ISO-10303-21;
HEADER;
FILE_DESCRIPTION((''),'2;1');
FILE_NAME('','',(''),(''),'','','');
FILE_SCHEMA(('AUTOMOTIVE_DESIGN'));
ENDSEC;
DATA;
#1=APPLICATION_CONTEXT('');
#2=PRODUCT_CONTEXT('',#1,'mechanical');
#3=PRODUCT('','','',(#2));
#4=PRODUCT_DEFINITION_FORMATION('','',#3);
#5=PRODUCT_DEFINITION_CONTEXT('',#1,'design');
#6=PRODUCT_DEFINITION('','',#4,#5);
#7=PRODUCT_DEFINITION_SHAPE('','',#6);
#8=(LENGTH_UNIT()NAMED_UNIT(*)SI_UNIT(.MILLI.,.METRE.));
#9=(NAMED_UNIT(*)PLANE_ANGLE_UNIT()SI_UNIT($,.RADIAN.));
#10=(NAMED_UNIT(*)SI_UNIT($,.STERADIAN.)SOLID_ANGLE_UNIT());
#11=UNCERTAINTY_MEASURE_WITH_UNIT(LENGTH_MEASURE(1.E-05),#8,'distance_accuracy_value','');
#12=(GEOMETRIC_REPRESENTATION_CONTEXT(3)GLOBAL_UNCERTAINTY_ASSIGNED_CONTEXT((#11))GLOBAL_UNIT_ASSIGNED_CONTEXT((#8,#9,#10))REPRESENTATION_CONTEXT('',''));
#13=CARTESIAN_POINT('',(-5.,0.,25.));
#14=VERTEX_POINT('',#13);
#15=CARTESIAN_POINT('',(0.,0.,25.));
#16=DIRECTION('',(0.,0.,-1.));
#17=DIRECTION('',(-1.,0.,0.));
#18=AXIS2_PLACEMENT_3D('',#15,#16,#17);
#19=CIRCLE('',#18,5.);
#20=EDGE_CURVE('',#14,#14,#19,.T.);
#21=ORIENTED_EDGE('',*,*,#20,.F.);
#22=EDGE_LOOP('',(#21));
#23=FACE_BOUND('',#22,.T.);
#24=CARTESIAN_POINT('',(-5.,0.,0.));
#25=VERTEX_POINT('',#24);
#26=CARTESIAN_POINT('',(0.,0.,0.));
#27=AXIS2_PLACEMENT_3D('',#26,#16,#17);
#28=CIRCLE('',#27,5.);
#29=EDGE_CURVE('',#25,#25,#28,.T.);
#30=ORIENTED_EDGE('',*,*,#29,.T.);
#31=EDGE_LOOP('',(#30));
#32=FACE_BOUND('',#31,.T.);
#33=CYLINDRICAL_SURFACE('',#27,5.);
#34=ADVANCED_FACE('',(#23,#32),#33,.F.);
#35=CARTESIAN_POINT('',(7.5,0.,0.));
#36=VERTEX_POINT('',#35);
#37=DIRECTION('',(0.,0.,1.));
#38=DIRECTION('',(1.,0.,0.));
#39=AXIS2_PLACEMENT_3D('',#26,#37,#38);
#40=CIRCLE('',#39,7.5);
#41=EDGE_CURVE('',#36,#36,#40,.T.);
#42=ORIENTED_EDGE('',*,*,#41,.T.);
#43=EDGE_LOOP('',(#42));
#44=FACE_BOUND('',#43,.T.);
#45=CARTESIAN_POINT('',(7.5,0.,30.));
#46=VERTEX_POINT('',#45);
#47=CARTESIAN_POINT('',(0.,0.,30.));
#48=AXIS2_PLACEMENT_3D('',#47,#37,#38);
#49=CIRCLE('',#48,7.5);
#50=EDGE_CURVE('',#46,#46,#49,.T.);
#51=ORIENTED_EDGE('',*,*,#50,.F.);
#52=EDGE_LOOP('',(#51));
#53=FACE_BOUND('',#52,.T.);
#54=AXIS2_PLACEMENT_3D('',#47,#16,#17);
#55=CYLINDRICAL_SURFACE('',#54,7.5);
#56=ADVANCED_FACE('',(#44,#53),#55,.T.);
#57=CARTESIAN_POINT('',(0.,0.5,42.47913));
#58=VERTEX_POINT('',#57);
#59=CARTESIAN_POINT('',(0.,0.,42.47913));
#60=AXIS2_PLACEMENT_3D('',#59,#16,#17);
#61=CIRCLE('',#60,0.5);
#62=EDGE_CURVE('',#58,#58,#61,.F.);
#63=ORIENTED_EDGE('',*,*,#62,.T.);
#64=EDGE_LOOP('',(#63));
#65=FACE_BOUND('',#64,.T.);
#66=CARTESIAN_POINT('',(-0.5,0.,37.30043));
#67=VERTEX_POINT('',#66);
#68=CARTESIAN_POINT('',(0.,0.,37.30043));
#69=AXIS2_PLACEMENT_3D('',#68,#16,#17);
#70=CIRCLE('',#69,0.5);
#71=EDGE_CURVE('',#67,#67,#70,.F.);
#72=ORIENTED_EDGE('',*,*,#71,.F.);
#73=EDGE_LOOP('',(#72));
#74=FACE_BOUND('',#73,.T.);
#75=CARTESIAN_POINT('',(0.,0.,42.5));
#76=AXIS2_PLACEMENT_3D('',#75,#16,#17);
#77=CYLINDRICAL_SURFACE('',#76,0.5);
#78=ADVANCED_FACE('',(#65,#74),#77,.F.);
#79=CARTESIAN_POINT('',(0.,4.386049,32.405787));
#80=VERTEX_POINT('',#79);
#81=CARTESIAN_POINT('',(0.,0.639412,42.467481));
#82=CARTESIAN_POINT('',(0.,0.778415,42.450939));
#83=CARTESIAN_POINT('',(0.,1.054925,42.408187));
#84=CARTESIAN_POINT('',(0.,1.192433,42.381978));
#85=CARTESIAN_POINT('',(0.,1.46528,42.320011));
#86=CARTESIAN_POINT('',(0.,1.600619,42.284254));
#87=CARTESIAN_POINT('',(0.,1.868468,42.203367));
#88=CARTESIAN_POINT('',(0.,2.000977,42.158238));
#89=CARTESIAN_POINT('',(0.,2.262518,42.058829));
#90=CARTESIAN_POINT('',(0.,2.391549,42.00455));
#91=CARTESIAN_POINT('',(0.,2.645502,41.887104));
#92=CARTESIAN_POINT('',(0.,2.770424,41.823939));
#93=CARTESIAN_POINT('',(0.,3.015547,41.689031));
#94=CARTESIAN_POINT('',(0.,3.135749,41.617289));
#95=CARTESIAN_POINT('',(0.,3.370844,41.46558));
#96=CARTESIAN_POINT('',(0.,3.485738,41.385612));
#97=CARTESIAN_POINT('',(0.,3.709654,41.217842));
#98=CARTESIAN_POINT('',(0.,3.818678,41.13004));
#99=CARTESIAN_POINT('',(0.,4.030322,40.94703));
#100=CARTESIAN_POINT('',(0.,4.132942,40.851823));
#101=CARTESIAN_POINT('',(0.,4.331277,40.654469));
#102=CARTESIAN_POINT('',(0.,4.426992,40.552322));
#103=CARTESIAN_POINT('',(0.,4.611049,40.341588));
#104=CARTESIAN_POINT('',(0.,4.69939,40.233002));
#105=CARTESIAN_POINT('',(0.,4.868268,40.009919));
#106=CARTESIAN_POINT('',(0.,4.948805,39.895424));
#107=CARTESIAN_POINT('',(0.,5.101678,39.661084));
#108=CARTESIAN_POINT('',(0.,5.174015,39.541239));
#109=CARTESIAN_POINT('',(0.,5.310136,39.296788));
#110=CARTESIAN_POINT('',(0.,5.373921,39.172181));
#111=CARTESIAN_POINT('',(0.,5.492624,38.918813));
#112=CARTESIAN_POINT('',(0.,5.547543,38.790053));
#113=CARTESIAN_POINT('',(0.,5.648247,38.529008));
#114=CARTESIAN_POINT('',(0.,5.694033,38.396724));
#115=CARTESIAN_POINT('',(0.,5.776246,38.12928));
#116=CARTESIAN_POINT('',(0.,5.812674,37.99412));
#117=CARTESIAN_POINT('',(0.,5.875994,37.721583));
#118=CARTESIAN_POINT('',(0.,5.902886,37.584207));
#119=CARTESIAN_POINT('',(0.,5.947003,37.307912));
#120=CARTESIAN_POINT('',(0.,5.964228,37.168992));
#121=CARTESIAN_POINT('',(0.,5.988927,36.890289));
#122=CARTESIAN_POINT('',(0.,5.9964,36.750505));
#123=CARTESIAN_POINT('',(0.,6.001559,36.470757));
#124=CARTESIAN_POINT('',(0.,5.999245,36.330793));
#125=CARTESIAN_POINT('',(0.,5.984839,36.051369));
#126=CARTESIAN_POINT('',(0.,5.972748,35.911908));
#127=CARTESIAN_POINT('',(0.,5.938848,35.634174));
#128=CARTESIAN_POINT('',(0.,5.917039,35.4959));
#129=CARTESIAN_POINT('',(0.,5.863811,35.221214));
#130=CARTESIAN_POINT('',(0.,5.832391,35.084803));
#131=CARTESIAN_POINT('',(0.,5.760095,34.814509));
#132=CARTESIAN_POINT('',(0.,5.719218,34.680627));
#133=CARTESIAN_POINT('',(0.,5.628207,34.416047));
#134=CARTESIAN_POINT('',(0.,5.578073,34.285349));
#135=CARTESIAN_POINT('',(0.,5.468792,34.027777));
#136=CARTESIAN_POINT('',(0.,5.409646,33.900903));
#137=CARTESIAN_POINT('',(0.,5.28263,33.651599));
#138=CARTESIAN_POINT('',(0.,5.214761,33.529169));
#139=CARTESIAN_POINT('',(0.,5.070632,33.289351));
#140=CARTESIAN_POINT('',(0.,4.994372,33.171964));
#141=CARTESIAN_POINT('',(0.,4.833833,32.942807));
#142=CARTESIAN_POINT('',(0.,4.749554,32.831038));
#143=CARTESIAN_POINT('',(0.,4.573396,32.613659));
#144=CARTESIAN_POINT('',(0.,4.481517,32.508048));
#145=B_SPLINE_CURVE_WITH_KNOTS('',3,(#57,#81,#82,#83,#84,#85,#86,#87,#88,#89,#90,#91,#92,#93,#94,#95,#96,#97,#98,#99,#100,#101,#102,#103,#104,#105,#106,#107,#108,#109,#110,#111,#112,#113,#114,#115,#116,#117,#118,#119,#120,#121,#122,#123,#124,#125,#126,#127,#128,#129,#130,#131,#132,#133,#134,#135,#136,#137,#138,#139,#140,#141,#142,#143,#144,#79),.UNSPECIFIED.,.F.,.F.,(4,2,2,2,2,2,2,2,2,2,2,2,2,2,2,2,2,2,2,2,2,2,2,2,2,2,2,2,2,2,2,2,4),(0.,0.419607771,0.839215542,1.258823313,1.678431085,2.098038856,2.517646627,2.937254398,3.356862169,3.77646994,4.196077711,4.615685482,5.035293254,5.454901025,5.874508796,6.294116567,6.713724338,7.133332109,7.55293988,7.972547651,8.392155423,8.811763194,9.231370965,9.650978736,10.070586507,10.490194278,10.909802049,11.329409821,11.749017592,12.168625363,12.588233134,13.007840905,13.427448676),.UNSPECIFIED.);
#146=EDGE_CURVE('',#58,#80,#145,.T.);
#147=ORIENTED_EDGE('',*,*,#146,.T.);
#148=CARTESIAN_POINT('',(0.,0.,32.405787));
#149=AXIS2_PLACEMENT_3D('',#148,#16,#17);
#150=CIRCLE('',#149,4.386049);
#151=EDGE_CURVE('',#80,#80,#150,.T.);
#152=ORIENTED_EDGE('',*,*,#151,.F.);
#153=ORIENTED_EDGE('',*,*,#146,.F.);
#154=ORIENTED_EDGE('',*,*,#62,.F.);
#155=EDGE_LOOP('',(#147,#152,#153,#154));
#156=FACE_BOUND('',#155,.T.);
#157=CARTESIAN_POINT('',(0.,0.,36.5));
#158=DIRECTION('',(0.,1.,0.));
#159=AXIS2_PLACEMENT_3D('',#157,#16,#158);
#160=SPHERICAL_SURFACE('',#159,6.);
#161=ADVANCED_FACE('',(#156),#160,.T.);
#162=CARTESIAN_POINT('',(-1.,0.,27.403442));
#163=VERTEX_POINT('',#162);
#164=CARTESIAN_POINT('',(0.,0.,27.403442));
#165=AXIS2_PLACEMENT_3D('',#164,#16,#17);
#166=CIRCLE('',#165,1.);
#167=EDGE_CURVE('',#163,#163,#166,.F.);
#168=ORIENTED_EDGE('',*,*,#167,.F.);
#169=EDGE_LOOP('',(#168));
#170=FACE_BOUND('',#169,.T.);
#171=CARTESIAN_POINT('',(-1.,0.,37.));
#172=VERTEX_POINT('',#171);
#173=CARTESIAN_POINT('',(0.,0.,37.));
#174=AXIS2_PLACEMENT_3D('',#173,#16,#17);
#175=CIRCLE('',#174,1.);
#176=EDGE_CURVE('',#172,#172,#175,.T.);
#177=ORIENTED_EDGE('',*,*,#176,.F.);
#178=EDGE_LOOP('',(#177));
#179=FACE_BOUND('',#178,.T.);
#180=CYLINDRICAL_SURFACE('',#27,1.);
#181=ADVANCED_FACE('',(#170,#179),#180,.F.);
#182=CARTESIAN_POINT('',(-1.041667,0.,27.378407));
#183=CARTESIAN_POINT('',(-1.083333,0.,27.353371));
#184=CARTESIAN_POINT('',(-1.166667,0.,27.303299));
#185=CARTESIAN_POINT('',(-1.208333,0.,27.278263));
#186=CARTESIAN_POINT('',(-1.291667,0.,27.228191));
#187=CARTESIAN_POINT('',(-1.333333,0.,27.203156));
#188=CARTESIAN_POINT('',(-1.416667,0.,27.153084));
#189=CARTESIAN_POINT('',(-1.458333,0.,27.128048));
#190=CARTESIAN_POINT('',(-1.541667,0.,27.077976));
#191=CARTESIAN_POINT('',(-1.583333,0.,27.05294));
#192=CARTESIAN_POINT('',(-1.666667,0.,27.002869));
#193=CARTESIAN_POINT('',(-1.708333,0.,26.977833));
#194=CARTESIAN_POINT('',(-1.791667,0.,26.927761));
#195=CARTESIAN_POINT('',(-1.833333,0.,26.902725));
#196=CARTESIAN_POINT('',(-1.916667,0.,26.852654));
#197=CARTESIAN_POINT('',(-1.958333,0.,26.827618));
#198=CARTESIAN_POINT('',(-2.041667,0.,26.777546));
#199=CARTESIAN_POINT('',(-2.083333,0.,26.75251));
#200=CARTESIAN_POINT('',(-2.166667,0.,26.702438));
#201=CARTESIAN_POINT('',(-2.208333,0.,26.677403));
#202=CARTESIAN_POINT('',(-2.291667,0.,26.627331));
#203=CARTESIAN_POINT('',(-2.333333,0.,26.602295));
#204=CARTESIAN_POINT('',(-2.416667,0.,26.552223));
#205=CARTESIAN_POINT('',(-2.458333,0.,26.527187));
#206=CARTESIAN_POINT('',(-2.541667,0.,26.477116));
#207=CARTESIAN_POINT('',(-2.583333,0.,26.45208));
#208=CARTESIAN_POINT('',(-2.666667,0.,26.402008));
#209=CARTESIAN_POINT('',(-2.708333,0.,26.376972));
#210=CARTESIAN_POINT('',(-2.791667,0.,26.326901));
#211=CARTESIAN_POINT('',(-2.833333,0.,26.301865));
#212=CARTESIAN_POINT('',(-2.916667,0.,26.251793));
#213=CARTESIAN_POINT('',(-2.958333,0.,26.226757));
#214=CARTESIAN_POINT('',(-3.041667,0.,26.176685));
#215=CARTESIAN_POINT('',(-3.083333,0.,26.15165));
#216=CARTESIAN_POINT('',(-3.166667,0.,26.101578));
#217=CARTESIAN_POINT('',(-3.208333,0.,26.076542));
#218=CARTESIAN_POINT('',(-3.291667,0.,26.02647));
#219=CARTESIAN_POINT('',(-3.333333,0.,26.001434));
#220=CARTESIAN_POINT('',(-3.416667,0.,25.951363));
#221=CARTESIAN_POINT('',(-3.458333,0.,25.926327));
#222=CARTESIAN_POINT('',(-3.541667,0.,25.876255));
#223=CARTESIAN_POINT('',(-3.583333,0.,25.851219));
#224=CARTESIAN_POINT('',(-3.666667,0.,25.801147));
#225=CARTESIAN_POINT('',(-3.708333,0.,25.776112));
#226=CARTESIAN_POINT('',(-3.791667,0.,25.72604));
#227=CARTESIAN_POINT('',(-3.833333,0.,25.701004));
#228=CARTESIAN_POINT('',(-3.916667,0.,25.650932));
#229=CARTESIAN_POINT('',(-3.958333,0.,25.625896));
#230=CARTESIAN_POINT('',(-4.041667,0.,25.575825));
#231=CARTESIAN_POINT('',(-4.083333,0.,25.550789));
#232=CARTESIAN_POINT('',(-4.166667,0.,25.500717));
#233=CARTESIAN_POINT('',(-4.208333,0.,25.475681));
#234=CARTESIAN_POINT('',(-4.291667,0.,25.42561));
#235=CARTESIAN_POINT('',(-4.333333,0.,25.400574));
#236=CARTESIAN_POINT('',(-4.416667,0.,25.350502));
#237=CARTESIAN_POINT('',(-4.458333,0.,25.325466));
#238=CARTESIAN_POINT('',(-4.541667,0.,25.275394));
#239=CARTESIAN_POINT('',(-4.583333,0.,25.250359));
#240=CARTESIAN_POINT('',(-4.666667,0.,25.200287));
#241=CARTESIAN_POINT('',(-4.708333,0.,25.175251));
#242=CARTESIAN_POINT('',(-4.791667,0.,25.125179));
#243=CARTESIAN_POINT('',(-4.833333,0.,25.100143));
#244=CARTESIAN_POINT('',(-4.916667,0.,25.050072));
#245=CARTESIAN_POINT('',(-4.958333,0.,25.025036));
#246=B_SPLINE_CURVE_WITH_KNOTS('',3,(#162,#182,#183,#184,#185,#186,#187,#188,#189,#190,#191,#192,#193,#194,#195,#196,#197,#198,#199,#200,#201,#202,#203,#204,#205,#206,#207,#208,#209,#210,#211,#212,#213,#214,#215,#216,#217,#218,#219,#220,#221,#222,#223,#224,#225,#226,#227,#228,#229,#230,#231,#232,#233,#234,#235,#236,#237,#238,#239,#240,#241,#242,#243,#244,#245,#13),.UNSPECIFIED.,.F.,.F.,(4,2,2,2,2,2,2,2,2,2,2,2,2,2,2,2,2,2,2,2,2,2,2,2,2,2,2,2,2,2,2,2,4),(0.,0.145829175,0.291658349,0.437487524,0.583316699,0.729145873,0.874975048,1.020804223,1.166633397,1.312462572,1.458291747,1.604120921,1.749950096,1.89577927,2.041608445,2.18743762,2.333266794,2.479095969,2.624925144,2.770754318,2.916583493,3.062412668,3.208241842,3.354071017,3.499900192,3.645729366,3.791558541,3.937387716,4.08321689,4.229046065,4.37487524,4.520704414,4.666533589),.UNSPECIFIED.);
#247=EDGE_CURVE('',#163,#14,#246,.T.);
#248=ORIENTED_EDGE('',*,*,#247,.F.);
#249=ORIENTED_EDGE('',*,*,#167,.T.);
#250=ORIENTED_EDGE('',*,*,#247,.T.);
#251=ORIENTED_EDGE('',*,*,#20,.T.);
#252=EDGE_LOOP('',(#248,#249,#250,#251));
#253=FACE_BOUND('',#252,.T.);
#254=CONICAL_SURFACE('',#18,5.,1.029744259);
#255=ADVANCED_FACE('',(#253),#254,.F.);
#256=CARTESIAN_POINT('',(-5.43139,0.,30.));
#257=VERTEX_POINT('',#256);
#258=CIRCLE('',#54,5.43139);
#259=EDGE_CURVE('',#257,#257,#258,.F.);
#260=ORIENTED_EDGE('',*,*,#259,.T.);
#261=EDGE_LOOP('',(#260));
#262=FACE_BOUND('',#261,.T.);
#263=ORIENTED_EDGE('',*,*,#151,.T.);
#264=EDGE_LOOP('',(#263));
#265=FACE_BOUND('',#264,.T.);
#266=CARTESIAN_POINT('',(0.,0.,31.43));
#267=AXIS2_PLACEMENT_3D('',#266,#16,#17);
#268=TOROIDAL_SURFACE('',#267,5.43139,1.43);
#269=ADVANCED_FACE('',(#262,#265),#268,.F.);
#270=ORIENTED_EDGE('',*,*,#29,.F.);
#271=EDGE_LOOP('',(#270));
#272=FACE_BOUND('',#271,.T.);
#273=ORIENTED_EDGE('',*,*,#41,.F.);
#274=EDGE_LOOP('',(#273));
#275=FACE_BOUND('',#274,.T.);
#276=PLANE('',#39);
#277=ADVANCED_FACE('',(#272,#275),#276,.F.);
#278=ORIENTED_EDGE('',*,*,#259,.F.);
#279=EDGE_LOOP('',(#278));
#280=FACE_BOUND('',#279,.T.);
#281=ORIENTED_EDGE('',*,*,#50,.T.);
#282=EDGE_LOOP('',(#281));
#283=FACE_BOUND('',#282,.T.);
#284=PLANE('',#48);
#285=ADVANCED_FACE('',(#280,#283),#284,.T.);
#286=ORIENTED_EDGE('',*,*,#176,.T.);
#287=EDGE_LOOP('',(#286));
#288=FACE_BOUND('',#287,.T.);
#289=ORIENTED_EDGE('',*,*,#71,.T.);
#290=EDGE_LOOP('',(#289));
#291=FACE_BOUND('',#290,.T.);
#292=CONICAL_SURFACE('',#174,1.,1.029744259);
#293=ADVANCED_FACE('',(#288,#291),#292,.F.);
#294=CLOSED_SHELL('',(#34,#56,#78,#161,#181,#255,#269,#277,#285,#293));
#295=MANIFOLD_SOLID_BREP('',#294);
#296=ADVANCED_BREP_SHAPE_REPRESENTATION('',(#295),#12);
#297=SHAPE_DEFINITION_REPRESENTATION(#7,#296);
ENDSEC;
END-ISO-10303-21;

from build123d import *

# Parameters (mm, degrees)
SKETCH_1_R          = 7.5
EXTRUDE_1_DEPTH     = 30
F_10_0MM_1_D        = 10
F_10_0MM_1_DEPTH    = 25
F_10_0MM_1_TIP      = 3.004303095
F_2_0MM_1_D         = 2
F_2_0MM_1_DEPTH     = 37
F_2_0MM_1_TIP       = 0.600860619
SKETCH_8_R          = 0.5
CUT_EXTRUDE_1_DEPTH = 44.80353867


with BuildPart() as part:
    # 草图1 → 凸台-拉伸1 (new body)
    with BuildSketch(Plane.XY):
        Circle(SKETCH_1_R)
    extrude(amount=EXTRUDE_1_DEPTH)

    # 草图2 → 旋转1 (revolve)
    with BuildSketch(Plane(origin=(0, 0, 0), x_dir=(0, 0, -1), z_dir=(1, 0, 0))):
        with BuildLine():
            Line((-30, 0), (-30, 5.431390246))
            ThreePointArc((-30, 5.431390246), (-30.860121025, 4.119849947), (-32.405787349, 4.386048651))
            ThreePointArc((-32.405787349, 4.386048651), (-38.891100593, 5.502966287), (-42.5, 0))
            Line((-42.5, 0), (-30, 0))
        make_face()
    revolve(axis=Axis((0, 0, 30), (0, 0, 1)))

    # Ø10.0mm 暗销孔1
    with Locations(Plane(origin=(0, 0, 0), x_dir=(-1, 0, 0), z_dir=(0, 0, -1))):
        with Locations((0, 0)):
            Hole(F_10_0MM_1_D / 2, depth=F_10_0MM_1_DEPTH)
            with Locations((0, 0, -(F_10_0MM_1_DEPTH + F_10_0MM_1_TIP / 2))):  # 118° drill point
                Cone(0, F_10_0MM_1_D / 2, F_10_0MM_1_TIP, mode=Mode.SUBTRACT)

    # Ø2.0mm 暗销孔1
    with Locations(Plane(origin=(0, 0, 0), x_dir=(-1, 0, 0), z_dir=(0, 0, -1))):
        with Locations((0, 0)):
            Hole(F_2_0MM_1_D / 2, depth=F_2_0MM_1_DEPTH)
            with Locations((0, 0, -(F_2_0MM_1_DEPTH + F_2_0MM_1_TIP / 2))):  # 118° drill point
                Cone(0, F_2_0MM_1_D / 2, F_2_0MM_1_TIP, mode=Mode.SUBTRACT)

    # 草图8 → 切除-拉伸1 (cut, through all)
    with BuildSketch(Plane(origin=(0, 0, 0), x_dir=(-1, 0, 0), z_dir=(0, 0, -1))):
        Circle(SKETCH_8_R)
    extrude(amount=-CUT_EXTRUDE_1_DEPTH, mode=Mode.SUBTRACT)


solid = part.part
